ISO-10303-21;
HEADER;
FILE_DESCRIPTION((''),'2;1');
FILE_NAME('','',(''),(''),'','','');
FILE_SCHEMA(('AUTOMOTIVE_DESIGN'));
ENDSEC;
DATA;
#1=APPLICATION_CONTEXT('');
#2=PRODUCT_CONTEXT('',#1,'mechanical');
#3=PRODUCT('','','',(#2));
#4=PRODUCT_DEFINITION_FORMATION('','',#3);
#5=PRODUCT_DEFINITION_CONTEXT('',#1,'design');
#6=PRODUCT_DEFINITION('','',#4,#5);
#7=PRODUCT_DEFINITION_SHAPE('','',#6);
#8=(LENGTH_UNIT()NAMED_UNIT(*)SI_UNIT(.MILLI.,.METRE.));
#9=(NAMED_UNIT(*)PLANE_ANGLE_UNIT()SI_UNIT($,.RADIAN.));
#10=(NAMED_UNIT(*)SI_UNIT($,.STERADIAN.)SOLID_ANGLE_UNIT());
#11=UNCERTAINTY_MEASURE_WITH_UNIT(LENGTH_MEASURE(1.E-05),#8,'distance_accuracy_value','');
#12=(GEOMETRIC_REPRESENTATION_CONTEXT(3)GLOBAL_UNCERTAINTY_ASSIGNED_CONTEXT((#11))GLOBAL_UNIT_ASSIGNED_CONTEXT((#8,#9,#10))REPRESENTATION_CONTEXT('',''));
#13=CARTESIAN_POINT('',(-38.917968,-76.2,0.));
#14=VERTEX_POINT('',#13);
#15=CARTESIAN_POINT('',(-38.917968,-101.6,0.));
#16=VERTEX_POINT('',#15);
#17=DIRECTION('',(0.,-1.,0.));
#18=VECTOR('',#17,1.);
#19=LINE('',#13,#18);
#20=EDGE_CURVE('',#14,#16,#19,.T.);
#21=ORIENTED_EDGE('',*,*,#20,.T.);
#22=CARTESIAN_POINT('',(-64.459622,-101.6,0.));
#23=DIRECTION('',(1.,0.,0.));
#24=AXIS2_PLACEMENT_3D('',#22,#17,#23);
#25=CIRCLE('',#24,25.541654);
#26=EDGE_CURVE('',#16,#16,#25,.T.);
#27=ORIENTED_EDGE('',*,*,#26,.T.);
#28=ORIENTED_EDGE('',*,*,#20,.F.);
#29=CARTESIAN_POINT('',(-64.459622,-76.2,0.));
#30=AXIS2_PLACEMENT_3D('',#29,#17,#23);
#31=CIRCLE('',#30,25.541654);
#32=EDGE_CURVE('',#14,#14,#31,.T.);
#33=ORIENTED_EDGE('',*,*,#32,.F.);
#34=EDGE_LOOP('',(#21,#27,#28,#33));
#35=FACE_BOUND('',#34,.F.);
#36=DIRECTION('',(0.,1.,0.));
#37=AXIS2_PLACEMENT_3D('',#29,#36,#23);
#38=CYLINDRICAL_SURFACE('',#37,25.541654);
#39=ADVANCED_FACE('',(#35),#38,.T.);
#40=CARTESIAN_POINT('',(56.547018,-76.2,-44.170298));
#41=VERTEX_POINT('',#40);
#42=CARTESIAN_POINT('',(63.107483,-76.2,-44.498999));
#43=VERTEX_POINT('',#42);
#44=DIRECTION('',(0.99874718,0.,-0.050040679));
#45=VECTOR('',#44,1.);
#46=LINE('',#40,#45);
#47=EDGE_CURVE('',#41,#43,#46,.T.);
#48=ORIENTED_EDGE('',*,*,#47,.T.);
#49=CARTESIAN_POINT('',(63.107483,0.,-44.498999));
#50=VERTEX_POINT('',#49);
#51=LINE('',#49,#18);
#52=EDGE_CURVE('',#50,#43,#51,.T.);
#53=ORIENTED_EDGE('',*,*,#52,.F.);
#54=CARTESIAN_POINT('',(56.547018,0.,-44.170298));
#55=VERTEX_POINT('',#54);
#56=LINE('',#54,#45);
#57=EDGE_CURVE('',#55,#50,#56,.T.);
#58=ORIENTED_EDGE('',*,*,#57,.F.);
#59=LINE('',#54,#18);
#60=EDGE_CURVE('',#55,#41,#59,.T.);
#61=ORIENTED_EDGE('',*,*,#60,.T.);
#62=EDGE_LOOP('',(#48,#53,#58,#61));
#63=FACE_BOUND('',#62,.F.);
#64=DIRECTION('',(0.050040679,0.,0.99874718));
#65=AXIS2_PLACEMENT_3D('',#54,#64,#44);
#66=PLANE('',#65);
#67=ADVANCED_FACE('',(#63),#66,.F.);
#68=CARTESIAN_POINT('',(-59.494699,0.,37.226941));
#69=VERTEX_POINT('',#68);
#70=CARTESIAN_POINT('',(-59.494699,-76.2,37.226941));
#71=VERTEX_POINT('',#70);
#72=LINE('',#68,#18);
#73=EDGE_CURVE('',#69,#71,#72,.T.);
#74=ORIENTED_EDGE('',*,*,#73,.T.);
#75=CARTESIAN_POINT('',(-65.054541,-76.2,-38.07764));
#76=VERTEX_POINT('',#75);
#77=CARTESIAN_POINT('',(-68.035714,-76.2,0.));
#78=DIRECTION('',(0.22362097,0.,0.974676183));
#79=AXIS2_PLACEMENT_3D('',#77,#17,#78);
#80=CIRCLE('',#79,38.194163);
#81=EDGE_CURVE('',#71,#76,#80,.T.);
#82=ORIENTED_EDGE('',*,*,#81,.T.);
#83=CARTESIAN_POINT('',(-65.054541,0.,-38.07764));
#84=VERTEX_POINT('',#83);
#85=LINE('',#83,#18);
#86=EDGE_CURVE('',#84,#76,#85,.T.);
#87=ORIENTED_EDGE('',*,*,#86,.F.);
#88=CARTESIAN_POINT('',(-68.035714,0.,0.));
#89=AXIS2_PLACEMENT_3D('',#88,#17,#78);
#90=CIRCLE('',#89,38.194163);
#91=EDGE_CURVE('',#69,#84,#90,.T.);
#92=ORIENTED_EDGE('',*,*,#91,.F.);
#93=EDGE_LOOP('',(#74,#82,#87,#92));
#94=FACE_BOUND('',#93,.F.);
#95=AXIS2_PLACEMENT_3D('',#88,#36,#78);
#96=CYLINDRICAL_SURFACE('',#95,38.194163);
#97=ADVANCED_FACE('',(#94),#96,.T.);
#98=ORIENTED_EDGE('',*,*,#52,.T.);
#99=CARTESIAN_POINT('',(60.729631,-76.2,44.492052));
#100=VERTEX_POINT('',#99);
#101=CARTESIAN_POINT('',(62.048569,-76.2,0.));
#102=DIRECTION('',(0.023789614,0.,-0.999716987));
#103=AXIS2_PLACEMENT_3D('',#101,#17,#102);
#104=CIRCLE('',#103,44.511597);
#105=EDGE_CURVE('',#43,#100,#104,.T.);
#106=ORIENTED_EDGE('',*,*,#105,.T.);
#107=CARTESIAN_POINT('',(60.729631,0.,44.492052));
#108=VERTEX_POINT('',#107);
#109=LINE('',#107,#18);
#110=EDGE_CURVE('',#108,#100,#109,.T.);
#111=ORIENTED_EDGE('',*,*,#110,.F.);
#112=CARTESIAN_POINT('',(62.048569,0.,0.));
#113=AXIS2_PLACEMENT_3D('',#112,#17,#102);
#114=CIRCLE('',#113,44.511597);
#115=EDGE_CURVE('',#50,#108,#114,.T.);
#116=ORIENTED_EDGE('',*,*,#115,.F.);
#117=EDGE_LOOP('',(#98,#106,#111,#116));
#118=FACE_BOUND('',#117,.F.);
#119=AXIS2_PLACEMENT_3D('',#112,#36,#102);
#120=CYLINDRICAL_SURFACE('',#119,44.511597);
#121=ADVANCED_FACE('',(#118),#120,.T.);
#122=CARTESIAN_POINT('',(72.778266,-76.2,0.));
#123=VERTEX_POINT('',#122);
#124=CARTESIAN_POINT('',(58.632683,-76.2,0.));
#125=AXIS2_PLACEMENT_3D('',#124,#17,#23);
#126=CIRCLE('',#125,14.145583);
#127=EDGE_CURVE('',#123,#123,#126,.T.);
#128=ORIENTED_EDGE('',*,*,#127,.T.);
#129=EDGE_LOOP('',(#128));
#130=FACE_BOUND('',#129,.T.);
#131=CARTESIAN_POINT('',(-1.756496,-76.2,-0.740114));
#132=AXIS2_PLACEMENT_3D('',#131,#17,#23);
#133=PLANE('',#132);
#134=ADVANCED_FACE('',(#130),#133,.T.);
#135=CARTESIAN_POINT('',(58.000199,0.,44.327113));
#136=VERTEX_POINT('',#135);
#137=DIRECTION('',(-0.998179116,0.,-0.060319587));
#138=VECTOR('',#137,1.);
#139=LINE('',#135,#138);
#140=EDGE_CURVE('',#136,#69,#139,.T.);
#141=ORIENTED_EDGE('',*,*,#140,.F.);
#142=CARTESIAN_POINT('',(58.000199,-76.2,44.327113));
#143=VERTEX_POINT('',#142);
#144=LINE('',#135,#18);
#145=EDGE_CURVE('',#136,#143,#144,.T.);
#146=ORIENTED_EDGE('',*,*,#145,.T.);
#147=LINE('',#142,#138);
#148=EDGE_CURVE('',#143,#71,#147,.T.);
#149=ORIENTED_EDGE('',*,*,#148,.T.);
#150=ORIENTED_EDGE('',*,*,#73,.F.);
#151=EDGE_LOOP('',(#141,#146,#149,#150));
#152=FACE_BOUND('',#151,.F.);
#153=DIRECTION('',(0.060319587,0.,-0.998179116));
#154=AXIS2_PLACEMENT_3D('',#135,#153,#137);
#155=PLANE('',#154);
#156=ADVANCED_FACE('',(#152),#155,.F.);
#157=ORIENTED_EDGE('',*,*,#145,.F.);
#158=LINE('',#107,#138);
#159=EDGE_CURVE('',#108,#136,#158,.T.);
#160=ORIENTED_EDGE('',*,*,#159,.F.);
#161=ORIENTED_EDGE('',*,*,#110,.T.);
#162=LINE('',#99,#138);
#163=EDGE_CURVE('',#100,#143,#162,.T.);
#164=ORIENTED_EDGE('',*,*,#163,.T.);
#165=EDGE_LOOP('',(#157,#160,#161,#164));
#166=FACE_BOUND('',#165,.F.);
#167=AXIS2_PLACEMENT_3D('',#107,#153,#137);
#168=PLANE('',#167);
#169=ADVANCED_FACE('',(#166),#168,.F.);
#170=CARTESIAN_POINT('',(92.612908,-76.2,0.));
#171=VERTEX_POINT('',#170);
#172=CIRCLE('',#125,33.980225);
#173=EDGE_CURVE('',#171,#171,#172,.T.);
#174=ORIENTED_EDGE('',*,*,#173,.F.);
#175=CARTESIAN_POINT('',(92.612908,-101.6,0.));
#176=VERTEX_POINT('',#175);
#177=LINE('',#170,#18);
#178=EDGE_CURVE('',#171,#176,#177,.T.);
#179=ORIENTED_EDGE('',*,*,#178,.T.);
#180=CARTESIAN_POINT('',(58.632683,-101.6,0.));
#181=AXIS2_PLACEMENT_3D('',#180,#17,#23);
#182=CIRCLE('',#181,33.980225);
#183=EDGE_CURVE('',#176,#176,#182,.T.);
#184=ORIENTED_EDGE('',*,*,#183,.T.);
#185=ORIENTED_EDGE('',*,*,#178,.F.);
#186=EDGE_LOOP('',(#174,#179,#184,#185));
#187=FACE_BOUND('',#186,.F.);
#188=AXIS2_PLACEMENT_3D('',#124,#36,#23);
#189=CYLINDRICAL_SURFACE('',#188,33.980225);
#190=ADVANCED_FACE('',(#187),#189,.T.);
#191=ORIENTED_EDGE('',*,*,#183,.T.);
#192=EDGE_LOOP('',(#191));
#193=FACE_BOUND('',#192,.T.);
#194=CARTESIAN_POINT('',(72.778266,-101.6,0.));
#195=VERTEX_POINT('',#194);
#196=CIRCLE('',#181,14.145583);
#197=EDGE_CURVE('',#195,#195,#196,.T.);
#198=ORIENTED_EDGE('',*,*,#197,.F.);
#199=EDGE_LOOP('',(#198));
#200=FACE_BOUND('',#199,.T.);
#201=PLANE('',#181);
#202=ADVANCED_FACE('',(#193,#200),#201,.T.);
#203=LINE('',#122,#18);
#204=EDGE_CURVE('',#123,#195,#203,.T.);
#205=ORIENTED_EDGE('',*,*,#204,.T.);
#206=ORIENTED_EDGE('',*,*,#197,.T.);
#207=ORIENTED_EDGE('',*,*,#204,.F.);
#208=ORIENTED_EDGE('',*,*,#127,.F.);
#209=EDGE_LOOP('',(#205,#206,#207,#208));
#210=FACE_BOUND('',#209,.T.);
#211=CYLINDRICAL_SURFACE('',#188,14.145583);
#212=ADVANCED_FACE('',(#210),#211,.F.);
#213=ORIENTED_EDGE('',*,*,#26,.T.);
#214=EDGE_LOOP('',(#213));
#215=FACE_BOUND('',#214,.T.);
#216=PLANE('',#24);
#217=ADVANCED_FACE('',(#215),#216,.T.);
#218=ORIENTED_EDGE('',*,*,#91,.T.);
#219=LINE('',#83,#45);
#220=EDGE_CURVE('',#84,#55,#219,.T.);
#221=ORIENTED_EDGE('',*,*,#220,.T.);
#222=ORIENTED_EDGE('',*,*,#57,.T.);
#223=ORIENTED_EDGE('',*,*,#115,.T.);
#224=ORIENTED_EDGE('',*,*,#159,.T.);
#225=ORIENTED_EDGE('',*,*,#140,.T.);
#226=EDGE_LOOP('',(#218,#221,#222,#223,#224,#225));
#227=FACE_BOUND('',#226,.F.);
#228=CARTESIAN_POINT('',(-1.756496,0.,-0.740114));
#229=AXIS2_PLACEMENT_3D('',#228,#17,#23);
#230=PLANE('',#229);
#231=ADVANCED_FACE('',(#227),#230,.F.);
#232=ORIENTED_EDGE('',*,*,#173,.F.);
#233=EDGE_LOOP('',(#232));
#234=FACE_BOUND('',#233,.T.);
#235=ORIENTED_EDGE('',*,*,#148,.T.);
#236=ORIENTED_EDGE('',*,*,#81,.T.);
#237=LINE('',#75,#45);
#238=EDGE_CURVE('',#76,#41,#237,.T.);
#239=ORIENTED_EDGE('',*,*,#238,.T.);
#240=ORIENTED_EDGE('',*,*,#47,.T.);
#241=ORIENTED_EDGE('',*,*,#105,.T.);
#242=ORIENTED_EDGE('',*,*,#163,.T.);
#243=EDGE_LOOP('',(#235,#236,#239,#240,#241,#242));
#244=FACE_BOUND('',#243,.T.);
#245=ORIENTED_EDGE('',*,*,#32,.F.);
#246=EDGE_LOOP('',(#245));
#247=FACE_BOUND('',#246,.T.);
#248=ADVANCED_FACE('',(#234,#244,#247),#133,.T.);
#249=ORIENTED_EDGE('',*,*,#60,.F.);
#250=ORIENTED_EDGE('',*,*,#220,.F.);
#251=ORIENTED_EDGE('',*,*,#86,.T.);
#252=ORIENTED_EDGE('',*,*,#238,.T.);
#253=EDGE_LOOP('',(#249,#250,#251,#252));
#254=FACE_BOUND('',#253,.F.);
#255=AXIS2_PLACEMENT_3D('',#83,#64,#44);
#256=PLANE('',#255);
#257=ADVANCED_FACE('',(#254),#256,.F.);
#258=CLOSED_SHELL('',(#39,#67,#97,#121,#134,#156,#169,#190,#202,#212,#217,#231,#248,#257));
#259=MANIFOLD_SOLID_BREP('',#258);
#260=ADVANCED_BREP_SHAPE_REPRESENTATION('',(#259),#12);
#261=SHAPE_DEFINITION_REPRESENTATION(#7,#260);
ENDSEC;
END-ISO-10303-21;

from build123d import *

# Parameters (mm, degrees)
F0_R     = 13.8564410405
F0_R_2   = 7.9335708136
F1_DEPTH = 76.2
F2_R     = 33.9802249626
F2_R_2   = 14.1455825801
F2_R_3   = 25.5416538566
F2_R_4   = 12.1426988136
F3_DEPTH = 25.4


with BuildPart() as f1:
    # F0 (on Front) → F1 (new body)
    with BuildSketch(Plane.XZ):
        with BuildLine():
            ThreePointArc((-59.4946986193, 37.2269406482), (-38.1608837646, 23.7968182359), (-29.8415516936, 0))
            ThreePointArc((-29.8415516936, 0), (-39.9941604937, -25.9319362544), (-65.0545408793, -38.0776399509))
            Line((-65.0545408793, -38.0776399509), (56.5470179912, -44.1702975004))
            ThreePointArc((56.5470179912, -44.1702975004), (17.5429722931, 0.730808762), (58.0001988788, 44.3271129792))
            Line((58.0001988788, 44.3271129792), (-59.4946986193, 37.2269406482))
        make_face()
        with BuildLine():
            ThreePointArc((-65.0545408793, -38.0776399509), (-39.9941604937, -25.9319362544), (-29.8415516936, 0))
            ThreePointArc((-29.8415516936, 0), (-38.1608837646, 23.7968182359), (-59.4946986193, 37.2269406482))
            ThreePointArc((-59.4946986193, 37.2269406482), (-106.1262010087, 2.8122737802), (-65.0545408793, -38.0776399509))
        make_face()
        with Locations((-68.0357143283, 0)):
            Circle(F0_R, mode=Mode.SUBTRACT)
        with Locations((-68.0357143283, 0)):
            Circle(F0_R)
        with BuildLine():
            Line((60.7296311594, 44.4920515422), (58.0001988788, 44.3271129792))
            ThreePointArc((58.0001988788, 44.3271129792), (17.5429722931, 0.730808762), (56.5470179912, -44.1702975004))
            Line((56.5470179912, -44.1702975004), (63.1074830218, -44.4989994279))
            ThreePointArc((63.1074830218, -44.4989994279), (93.8952032722, -31.0978159093), (106.5601661062, 0))
            ThreePointArc((106.5601661062, 0), (93.0531996585, 31.9373628527), (60.7296311594, 44.4920515422))
        make_face()
        with Locations((62.0485693216, 0)):
            Circle(F0_R_2, mode=Mode.SUBTRACT)
        with Locations((62.0485693216, 0)):
            Circle(F0_R_2)
    extrude(amount=F1_DEPTH)

    # F2 (on face) → F3 (join)
    with BuildSketch(Plane.XZ.offset(76.2)):
        with Locations((58.6326830089, 0)):
            Circle(F2_R)
        with Locations((58.6326830089, 0)):
            Circle(F2_R_2, mode=Mode.SUBTRACT)
        with Locations((-64.4596219063, 0)):
            Circle(F2_R_3)
        with Locations((-64.4596219063, 0)):
            Circle(F2_R_4, mode=Mode.SUBTRACT)
        with Locations((-64.4596219063, 0)):
            Circle(F2_R_4)
    extrude(amount=F3_DEPTH)


solid = f1.part
